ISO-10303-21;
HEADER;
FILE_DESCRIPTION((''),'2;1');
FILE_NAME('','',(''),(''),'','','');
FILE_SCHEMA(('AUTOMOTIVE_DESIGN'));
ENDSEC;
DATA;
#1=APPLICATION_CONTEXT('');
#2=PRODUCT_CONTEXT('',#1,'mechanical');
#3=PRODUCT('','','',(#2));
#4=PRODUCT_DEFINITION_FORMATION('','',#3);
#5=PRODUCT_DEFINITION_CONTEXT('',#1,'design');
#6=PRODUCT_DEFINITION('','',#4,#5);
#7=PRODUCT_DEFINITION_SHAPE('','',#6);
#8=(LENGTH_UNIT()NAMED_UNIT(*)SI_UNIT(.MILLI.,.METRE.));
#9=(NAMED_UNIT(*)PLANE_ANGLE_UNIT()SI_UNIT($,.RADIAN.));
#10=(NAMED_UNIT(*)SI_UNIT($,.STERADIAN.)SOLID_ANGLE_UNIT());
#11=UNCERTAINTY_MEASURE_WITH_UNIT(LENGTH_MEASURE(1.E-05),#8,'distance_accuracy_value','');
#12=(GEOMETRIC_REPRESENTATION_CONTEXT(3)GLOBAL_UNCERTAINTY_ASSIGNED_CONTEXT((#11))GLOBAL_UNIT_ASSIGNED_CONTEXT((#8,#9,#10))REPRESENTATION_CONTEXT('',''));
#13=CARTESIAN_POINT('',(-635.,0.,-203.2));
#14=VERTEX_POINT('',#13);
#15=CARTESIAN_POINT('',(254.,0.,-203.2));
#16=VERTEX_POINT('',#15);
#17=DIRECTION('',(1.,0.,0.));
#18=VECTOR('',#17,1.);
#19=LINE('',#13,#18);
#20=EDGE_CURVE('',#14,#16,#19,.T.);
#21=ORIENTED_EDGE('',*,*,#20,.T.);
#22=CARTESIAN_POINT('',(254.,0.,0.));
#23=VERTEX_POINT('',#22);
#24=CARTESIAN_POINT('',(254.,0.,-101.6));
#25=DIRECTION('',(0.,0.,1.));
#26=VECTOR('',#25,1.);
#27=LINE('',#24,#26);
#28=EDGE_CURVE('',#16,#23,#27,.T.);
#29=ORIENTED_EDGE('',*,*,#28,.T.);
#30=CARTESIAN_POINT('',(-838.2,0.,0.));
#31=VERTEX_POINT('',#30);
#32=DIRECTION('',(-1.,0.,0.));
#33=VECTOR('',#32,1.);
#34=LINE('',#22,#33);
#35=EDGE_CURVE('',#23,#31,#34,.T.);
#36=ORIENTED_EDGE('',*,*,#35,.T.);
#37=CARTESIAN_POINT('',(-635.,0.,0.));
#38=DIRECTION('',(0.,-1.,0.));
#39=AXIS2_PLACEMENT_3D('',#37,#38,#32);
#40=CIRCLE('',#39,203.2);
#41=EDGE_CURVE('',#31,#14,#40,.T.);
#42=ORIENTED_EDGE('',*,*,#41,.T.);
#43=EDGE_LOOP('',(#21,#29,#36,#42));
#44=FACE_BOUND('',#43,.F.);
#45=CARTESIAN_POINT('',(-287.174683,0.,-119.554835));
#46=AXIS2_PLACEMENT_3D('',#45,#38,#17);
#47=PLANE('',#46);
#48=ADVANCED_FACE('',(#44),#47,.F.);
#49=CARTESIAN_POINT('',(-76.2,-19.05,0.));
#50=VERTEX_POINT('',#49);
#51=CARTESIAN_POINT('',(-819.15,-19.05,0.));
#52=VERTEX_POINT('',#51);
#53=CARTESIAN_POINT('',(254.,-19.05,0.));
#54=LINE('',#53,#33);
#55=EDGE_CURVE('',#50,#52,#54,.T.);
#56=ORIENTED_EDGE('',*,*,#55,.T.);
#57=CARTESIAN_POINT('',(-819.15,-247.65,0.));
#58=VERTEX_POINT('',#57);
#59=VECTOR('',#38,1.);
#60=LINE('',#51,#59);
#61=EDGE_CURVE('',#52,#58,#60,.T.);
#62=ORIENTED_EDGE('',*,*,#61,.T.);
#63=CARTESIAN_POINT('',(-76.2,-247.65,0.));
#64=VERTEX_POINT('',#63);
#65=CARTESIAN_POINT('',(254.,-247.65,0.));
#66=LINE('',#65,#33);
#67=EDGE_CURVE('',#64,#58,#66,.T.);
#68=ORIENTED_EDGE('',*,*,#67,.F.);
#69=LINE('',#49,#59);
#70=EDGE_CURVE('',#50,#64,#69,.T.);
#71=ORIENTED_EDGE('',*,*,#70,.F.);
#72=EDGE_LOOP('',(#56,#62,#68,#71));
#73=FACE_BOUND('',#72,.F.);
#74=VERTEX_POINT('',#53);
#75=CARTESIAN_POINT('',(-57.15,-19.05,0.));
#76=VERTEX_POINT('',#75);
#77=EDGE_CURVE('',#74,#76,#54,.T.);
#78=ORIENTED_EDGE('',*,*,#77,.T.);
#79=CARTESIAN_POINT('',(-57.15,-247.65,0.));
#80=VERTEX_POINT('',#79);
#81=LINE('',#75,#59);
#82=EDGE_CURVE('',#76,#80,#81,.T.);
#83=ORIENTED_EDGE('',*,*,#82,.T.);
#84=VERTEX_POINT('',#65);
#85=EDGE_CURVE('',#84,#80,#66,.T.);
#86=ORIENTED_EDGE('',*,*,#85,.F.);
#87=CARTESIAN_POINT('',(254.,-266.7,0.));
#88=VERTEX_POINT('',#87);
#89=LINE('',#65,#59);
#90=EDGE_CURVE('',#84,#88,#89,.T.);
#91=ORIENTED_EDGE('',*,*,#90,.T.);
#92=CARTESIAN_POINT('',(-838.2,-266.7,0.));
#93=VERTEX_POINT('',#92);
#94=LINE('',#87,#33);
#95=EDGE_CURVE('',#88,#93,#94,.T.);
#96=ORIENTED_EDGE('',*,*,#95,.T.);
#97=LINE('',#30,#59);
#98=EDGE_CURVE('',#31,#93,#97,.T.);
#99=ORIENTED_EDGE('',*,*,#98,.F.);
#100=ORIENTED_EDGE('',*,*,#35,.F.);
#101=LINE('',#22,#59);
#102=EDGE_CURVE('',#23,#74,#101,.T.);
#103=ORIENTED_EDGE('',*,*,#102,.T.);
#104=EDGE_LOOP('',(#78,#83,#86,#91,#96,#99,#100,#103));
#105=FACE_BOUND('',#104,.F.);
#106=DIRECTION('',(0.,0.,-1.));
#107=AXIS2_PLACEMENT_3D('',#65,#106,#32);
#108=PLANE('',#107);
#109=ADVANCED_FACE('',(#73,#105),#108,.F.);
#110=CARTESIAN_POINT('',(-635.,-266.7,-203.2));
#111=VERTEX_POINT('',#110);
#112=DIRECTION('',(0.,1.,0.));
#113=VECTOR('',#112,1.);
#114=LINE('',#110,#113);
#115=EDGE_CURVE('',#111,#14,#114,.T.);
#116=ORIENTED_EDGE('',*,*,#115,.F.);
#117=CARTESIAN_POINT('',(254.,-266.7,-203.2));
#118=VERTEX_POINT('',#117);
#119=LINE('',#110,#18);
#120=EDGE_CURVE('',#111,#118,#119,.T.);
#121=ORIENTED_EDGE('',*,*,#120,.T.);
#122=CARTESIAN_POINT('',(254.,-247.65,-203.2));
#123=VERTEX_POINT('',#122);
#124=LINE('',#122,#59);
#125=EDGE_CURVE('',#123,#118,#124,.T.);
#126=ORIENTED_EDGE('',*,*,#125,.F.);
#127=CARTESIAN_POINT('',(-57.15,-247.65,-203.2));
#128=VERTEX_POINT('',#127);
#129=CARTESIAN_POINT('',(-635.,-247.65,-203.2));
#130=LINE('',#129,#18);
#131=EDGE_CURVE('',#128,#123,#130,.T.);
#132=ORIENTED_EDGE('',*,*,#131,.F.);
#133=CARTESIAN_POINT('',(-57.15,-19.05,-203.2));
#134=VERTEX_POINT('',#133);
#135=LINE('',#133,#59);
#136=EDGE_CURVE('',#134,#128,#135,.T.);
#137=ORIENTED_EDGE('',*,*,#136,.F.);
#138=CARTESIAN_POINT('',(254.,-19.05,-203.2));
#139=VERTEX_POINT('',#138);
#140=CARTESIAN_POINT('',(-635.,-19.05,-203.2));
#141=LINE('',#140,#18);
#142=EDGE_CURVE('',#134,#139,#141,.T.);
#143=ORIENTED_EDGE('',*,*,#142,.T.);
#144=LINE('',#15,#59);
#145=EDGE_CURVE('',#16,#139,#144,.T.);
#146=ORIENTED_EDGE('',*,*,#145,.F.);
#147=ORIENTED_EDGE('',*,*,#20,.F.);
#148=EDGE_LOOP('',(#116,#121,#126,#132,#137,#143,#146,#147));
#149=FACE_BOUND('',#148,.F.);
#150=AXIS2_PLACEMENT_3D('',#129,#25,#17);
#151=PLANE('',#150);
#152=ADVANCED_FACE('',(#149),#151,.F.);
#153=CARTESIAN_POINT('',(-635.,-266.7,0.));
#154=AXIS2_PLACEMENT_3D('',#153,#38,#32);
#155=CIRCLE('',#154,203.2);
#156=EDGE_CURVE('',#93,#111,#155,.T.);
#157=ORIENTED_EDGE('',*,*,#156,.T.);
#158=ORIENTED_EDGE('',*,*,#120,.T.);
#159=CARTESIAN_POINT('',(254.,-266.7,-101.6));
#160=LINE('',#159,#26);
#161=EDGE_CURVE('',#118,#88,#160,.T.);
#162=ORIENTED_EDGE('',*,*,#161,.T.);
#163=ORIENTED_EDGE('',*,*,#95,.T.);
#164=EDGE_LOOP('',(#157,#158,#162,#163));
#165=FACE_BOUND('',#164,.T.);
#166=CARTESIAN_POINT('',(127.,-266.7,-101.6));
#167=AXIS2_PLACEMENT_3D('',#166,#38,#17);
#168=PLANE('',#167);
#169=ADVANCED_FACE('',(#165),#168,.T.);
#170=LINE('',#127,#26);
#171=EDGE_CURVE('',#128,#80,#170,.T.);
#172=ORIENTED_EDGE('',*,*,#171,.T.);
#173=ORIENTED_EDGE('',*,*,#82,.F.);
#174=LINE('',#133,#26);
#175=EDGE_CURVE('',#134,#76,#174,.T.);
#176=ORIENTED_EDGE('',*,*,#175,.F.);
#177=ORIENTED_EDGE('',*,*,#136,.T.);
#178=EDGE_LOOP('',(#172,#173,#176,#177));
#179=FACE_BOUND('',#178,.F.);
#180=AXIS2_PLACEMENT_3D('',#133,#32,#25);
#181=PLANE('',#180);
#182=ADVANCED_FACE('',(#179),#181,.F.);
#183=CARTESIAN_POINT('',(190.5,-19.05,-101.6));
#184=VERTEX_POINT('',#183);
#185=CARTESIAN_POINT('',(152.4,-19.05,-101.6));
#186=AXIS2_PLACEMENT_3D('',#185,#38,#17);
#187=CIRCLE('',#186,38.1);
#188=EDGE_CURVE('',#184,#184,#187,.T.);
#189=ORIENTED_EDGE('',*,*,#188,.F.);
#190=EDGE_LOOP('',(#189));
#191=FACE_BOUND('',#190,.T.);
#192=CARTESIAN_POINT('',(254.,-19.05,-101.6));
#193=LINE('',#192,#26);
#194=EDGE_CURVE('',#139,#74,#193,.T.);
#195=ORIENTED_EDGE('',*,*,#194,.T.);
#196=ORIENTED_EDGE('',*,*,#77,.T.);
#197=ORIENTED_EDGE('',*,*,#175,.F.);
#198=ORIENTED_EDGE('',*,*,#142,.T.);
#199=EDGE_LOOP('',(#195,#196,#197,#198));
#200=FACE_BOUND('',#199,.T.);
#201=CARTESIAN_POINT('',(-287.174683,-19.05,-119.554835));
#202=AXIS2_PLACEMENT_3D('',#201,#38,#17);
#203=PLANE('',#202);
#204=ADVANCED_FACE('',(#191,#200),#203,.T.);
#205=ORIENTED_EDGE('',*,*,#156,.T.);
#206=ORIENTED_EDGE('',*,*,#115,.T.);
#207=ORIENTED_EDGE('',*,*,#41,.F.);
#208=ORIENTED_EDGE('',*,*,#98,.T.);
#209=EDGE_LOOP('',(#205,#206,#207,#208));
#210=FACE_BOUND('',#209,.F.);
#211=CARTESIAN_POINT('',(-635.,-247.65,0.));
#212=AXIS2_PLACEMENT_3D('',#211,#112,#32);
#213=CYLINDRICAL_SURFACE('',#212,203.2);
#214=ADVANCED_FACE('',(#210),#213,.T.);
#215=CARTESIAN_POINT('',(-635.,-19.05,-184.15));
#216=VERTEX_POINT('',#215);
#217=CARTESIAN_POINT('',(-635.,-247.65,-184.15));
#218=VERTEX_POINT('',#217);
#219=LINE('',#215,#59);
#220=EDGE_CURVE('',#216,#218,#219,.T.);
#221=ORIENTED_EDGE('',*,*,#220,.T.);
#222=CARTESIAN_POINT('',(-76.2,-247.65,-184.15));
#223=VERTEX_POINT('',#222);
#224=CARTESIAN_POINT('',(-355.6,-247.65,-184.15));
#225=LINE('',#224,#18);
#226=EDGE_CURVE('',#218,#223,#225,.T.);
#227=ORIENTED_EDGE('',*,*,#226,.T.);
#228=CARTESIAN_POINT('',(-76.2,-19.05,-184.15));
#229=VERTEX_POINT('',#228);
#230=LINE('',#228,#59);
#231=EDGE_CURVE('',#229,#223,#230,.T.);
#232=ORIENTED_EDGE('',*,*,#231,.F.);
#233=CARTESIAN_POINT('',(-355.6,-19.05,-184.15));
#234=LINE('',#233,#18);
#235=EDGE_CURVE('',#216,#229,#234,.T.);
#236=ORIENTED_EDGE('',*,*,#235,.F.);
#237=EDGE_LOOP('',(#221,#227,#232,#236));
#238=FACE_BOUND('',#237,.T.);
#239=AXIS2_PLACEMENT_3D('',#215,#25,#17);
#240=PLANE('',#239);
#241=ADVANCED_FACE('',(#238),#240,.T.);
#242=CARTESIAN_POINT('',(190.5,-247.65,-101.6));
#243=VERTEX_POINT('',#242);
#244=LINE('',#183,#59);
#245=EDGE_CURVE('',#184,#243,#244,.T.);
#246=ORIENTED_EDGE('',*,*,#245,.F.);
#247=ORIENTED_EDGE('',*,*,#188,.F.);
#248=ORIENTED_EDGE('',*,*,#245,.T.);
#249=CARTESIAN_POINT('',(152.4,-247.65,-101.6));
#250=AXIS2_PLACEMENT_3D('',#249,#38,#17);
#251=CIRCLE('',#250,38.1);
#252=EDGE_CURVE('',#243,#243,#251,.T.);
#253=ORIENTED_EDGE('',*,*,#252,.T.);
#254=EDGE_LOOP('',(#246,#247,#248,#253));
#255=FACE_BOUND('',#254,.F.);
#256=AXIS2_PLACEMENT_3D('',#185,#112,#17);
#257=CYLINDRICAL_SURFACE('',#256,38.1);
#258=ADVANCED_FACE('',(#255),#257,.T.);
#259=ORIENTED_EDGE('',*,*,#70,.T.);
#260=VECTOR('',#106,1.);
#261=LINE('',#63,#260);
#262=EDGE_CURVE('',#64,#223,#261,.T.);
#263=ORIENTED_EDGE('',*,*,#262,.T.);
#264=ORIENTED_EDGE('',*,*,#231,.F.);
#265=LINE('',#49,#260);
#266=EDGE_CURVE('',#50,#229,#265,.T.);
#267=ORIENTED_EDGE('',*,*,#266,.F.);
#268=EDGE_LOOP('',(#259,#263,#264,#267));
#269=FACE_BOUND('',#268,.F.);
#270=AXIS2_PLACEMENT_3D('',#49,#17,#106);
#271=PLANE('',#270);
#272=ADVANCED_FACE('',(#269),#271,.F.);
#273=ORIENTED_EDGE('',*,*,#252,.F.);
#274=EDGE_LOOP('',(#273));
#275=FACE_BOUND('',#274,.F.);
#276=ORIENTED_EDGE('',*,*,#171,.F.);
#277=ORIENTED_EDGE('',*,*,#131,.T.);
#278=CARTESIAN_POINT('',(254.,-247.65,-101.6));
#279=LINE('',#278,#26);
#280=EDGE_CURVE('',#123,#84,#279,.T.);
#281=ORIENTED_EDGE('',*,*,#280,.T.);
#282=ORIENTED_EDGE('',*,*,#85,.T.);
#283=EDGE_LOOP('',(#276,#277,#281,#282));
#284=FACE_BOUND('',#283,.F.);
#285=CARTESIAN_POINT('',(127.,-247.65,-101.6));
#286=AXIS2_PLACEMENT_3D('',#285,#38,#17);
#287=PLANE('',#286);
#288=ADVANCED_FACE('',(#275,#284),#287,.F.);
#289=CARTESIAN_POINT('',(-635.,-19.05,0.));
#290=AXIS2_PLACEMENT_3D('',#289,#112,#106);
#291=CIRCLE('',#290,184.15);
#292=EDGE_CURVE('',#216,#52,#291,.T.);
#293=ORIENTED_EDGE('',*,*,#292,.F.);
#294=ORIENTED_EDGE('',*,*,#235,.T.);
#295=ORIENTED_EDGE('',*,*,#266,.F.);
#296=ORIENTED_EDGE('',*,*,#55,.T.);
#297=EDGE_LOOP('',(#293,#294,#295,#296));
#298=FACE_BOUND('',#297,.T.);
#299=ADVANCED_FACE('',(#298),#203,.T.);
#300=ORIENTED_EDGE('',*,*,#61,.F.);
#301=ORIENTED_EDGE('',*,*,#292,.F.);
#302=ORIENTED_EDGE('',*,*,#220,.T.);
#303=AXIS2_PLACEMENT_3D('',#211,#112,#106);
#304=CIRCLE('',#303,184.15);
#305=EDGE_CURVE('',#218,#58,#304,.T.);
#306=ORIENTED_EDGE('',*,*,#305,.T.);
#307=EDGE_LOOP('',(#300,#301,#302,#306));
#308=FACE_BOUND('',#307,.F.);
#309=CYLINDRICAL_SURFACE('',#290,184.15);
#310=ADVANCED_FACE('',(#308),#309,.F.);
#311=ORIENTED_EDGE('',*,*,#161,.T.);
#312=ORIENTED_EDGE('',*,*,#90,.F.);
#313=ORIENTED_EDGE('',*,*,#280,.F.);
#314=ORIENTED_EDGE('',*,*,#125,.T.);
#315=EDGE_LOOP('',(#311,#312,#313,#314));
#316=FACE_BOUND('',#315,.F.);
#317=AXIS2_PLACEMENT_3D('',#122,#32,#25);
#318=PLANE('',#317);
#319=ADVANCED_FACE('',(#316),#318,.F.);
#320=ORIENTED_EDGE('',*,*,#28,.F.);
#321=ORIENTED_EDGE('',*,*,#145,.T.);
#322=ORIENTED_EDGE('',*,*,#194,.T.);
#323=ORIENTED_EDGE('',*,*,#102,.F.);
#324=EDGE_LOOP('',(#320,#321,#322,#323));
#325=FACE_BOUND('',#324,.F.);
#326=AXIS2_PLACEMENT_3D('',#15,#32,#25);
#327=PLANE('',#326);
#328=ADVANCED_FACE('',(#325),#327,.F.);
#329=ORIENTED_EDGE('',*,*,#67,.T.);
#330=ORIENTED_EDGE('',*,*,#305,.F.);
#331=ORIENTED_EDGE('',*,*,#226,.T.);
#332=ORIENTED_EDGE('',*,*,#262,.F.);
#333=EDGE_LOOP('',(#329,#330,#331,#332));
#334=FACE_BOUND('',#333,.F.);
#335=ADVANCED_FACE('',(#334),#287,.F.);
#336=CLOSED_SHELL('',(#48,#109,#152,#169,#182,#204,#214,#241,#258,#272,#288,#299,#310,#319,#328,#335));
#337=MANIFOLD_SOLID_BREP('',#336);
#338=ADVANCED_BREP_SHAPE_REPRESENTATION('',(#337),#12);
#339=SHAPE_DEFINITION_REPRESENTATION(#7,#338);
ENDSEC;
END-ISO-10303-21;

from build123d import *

# Parameters (mm, degrees)
F0_W     = 254
F0_H     = 203.2
F1_DEPTH = 19.05
F2_R     = 38.1
F2_W     = 558.8
F2_H     = 19.05
F3_DEPTH = 228.6
F4_W     = 254
F4_H     = 203.2
F4_W_2   = 57.15
F5_DEPTH = 19.05


with BuildPart() as f1:
    # F0 (on Front) → F1 (new body)
    with BuildSketch(Plane.XZ):
        with BuildLine():
            Line((0, -203.2), (0, 0))
            Line((0, 0), (-431.8, 0))
            ThreePointArc((-431.8, 0), (-491.3159020629, -143.6840979371), (-635, -203.2))
            Line((-635, -203.2), (0, -203.2))
        make_face()
        with BuildLine():
            Line((-635, -203.2), (-635, 0))
            Line((-635, 0), (-838.2, 0))
            ThreePointArc((-838.2, 0), (-778.6840979371, -143.6840979371), (-635, -203.2))
        make_face()
        with BuildLine():
            ThreePointArc((-635, -203.2), (-491.3159020629, -143.6840979371), (-431.8, 0))
            Line((-431.8, 0), (-635, 0))
            Line((-635, 0), (-635, -203.2))
        make_face()
        with Locations((127, -101.6)):
            Rectangle(F0_W, F0_H)
    extrude(amount=F1_DEPTH)

    # F2 (on face) → F3 (join)
    with BuildSketch(Plane.XZ.offset(19.05)):
        with Locations((152.4, -101.6)):
            Circle(F2_R)
        Polygon((-57.15, -203.2), (-57.15, 0), (-76.2, 0), (-76.2, -184.15), (-76.2, -203.2), align=None)
        with Locations((-355.6, -193.675)):
            Rectangle(F2_W, F2_H)
        with BuildLine():
            Line((-635, -203.2), (-635, -184.15))
            ThreePointArc((-635, -184.15), (-765.2137137555, -130.2137137555), (-819.15, 0))
            Line((-819.15, 0), (-838.2, 0))
            ThreePointArc((-838.2, 0), (-778.6840979371, -143.6840979371), (-635, -203.2))
        make_face()
    extrude(amount=F3_DEPTH)

    # F4 (on face) → F5 (join)
    with BuildSketch(Plane.XZ.offset(247.65)):
        with Locations((127, -101.6)):
            Rectangle(F4_W, F4_H)
        with Locations((-28.575, -101.6)):
            Rectangle(F4_W_2, F4_H)
        with BuildLine():
            ThreePointArc((-838.2, 0), (-778.6840979371, -143.6840979371), (-635, -203.2))
            Line((-635, -203.2), (-635, -184.15))
            ThreePointArc((-635, -184.15), (-765.2137137555, -130.2137137555), (-819.15, 0))
            Line((-819.15, 0), (-838.2, 0))
        make_face()
        with BuildLine():
            Line((-635, -184.15), (-635, 0))
            Line((-635, 0), (-819.15, 0))
            ThreePointArc((-819.15, 0), (-765.2137137555, -130.2137137555), (-635, -184.15))
        make_face()
        with BuildLine():
            Line((-76.2, -184.15), (-76.2, 0))
            Line((-76.2, 0), (-431.8, 0))
            ThreePointArc((-431.8, 0), (-463.6153953484, -109.1675651849), (-549.0987922087, -184.15))
            Line((-549.0987922087, -184.15), (-76.2, -184.15))
        make_face()
        with BuildLine():
            Line((-57.15, -203.2), (-57.15, 0))
            Line((-57.15, 0), (-76.2, 0))
            Line((-76.2, 0), (-76.2, -184.15))
            Line((-76.2, -184.15), (-549.0987922087, -184.15))
            ThreePointArc((-549.0987922087, -184.15), (-591.0059094877, -198.380341768), (-635, -203.2))
            Line((-635, -203.2), (-57.15, -203.2))
        make_face()
        with BuildLine():
            Line((-635, -184.15), (-635, -203.2))
            ThreePointArc((-635, -203.2), (-591.0059094877, -198.380341768), (-549.0987922087, -184.15))
            Line((-549.0987922087, -184.15), (-635, -184.15))
        make_face()
        with BuildLine():
            ThreePointArc((-549.0987922087, -184.15), (-463.6153953484, -109.1675651849), (-431.8, 0))
            Line((-431.8, 0), (-635, 0))
            Line((-635, 0), (-635, -184.15))
            Line((-635, -184.15), (-549.0987922087, -184.15))
        make_face()
    extrude(amount=F5_DEPTH)


solid = f1.part
